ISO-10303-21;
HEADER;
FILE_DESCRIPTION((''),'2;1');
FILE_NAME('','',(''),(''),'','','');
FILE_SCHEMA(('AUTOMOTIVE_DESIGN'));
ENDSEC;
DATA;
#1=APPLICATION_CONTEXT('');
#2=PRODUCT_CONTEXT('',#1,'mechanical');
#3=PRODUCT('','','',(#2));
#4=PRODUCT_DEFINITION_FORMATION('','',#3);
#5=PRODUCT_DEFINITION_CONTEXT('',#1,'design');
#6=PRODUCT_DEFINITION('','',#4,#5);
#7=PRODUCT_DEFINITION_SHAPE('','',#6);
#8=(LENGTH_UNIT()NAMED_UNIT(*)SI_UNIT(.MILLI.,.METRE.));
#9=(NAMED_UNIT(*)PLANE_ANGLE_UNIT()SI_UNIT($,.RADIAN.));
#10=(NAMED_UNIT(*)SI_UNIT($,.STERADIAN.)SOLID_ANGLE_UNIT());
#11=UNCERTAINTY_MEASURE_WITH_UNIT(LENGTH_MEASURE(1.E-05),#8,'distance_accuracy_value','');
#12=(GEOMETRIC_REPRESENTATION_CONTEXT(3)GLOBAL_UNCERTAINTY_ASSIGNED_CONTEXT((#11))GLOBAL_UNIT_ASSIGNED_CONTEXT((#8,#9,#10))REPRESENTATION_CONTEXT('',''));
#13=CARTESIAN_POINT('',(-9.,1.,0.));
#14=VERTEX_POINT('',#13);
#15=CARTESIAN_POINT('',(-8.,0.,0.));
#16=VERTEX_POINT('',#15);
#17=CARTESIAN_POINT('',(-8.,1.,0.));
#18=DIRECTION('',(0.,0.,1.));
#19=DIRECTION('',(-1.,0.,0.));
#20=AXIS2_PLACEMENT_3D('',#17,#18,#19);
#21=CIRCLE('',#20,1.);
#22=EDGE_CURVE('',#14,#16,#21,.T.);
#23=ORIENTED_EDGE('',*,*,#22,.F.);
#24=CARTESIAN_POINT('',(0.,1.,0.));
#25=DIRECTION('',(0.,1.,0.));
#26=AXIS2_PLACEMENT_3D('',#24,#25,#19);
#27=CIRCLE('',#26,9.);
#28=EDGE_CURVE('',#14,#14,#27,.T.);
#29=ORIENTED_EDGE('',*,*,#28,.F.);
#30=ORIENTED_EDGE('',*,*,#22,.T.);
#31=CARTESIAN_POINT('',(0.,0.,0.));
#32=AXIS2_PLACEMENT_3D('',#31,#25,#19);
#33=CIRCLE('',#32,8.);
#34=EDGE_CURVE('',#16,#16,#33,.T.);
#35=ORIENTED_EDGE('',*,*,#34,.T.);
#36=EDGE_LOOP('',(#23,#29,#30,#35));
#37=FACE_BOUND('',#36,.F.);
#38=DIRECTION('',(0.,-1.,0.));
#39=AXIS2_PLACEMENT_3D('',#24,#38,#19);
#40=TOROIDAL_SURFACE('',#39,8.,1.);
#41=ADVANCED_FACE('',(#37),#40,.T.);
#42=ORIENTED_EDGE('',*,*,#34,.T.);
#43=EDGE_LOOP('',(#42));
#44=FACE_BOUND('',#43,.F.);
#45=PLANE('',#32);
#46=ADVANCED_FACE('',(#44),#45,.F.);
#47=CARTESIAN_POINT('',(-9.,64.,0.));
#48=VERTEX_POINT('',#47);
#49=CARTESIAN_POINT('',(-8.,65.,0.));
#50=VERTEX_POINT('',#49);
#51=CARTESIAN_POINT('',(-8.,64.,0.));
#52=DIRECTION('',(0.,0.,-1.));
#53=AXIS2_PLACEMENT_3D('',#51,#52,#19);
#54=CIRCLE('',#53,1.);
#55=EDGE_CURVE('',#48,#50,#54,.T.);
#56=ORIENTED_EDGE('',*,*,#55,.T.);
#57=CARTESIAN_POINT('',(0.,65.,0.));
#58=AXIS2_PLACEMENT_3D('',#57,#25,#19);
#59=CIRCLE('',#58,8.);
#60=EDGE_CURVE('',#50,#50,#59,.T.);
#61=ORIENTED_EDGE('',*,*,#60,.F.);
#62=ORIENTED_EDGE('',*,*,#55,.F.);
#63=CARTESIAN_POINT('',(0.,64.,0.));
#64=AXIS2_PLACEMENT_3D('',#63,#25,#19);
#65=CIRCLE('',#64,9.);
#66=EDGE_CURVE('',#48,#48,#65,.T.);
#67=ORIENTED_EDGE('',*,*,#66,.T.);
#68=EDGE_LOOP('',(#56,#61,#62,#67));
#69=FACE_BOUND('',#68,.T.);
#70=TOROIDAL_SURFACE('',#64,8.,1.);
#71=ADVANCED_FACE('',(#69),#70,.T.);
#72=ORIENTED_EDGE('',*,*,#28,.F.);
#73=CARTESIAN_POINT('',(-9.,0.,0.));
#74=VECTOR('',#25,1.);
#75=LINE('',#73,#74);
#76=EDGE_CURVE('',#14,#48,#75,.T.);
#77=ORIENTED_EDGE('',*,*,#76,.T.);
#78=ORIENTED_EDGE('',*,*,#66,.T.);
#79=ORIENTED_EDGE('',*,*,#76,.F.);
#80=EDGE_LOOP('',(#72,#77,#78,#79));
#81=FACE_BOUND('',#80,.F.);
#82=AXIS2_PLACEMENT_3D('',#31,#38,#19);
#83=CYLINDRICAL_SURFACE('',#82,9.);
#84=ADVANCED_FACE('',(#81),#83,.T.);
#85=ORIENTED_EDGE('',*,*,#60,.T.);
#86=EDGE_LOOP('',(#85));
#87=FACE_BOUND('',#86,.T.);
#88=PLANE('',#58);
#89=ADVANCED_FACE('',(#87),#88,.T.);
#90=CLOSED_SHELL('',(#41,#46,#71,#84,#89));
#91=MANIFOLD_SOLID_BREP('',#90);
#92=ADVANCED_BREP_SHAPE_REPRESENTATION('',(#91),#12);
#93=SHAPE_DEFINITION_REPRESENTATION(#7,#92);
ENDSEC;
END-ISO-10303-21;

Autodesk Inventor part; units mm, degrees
ref_plane "YZ Plane" through (0, 0, 0) normal (1, 0, 0) x (0, 1, 0)
ref_plane "XZ Plane" through (0, 0, 0) normal (0, 1, 0) x (-1, 0, 0)
ref_plane "XY Plane" through (0, 0, 0) normal (0, 0, 1) x (1, 0, 0)
sketch "Schizzo1" plane through (0, 0, 0) normal (0, 1, 0) x (-1, 0, 0)
  circle A0 centre (0, 0) radius 9
  dimension "d0" = 18
extrude "Estrusione1" add sketch "Schizzo1" along normal blind 65
fillet "Raccordo1" radius 1 2 edges at (9, 65, 0) (9, 0, 0)
properties part number "batteria"
